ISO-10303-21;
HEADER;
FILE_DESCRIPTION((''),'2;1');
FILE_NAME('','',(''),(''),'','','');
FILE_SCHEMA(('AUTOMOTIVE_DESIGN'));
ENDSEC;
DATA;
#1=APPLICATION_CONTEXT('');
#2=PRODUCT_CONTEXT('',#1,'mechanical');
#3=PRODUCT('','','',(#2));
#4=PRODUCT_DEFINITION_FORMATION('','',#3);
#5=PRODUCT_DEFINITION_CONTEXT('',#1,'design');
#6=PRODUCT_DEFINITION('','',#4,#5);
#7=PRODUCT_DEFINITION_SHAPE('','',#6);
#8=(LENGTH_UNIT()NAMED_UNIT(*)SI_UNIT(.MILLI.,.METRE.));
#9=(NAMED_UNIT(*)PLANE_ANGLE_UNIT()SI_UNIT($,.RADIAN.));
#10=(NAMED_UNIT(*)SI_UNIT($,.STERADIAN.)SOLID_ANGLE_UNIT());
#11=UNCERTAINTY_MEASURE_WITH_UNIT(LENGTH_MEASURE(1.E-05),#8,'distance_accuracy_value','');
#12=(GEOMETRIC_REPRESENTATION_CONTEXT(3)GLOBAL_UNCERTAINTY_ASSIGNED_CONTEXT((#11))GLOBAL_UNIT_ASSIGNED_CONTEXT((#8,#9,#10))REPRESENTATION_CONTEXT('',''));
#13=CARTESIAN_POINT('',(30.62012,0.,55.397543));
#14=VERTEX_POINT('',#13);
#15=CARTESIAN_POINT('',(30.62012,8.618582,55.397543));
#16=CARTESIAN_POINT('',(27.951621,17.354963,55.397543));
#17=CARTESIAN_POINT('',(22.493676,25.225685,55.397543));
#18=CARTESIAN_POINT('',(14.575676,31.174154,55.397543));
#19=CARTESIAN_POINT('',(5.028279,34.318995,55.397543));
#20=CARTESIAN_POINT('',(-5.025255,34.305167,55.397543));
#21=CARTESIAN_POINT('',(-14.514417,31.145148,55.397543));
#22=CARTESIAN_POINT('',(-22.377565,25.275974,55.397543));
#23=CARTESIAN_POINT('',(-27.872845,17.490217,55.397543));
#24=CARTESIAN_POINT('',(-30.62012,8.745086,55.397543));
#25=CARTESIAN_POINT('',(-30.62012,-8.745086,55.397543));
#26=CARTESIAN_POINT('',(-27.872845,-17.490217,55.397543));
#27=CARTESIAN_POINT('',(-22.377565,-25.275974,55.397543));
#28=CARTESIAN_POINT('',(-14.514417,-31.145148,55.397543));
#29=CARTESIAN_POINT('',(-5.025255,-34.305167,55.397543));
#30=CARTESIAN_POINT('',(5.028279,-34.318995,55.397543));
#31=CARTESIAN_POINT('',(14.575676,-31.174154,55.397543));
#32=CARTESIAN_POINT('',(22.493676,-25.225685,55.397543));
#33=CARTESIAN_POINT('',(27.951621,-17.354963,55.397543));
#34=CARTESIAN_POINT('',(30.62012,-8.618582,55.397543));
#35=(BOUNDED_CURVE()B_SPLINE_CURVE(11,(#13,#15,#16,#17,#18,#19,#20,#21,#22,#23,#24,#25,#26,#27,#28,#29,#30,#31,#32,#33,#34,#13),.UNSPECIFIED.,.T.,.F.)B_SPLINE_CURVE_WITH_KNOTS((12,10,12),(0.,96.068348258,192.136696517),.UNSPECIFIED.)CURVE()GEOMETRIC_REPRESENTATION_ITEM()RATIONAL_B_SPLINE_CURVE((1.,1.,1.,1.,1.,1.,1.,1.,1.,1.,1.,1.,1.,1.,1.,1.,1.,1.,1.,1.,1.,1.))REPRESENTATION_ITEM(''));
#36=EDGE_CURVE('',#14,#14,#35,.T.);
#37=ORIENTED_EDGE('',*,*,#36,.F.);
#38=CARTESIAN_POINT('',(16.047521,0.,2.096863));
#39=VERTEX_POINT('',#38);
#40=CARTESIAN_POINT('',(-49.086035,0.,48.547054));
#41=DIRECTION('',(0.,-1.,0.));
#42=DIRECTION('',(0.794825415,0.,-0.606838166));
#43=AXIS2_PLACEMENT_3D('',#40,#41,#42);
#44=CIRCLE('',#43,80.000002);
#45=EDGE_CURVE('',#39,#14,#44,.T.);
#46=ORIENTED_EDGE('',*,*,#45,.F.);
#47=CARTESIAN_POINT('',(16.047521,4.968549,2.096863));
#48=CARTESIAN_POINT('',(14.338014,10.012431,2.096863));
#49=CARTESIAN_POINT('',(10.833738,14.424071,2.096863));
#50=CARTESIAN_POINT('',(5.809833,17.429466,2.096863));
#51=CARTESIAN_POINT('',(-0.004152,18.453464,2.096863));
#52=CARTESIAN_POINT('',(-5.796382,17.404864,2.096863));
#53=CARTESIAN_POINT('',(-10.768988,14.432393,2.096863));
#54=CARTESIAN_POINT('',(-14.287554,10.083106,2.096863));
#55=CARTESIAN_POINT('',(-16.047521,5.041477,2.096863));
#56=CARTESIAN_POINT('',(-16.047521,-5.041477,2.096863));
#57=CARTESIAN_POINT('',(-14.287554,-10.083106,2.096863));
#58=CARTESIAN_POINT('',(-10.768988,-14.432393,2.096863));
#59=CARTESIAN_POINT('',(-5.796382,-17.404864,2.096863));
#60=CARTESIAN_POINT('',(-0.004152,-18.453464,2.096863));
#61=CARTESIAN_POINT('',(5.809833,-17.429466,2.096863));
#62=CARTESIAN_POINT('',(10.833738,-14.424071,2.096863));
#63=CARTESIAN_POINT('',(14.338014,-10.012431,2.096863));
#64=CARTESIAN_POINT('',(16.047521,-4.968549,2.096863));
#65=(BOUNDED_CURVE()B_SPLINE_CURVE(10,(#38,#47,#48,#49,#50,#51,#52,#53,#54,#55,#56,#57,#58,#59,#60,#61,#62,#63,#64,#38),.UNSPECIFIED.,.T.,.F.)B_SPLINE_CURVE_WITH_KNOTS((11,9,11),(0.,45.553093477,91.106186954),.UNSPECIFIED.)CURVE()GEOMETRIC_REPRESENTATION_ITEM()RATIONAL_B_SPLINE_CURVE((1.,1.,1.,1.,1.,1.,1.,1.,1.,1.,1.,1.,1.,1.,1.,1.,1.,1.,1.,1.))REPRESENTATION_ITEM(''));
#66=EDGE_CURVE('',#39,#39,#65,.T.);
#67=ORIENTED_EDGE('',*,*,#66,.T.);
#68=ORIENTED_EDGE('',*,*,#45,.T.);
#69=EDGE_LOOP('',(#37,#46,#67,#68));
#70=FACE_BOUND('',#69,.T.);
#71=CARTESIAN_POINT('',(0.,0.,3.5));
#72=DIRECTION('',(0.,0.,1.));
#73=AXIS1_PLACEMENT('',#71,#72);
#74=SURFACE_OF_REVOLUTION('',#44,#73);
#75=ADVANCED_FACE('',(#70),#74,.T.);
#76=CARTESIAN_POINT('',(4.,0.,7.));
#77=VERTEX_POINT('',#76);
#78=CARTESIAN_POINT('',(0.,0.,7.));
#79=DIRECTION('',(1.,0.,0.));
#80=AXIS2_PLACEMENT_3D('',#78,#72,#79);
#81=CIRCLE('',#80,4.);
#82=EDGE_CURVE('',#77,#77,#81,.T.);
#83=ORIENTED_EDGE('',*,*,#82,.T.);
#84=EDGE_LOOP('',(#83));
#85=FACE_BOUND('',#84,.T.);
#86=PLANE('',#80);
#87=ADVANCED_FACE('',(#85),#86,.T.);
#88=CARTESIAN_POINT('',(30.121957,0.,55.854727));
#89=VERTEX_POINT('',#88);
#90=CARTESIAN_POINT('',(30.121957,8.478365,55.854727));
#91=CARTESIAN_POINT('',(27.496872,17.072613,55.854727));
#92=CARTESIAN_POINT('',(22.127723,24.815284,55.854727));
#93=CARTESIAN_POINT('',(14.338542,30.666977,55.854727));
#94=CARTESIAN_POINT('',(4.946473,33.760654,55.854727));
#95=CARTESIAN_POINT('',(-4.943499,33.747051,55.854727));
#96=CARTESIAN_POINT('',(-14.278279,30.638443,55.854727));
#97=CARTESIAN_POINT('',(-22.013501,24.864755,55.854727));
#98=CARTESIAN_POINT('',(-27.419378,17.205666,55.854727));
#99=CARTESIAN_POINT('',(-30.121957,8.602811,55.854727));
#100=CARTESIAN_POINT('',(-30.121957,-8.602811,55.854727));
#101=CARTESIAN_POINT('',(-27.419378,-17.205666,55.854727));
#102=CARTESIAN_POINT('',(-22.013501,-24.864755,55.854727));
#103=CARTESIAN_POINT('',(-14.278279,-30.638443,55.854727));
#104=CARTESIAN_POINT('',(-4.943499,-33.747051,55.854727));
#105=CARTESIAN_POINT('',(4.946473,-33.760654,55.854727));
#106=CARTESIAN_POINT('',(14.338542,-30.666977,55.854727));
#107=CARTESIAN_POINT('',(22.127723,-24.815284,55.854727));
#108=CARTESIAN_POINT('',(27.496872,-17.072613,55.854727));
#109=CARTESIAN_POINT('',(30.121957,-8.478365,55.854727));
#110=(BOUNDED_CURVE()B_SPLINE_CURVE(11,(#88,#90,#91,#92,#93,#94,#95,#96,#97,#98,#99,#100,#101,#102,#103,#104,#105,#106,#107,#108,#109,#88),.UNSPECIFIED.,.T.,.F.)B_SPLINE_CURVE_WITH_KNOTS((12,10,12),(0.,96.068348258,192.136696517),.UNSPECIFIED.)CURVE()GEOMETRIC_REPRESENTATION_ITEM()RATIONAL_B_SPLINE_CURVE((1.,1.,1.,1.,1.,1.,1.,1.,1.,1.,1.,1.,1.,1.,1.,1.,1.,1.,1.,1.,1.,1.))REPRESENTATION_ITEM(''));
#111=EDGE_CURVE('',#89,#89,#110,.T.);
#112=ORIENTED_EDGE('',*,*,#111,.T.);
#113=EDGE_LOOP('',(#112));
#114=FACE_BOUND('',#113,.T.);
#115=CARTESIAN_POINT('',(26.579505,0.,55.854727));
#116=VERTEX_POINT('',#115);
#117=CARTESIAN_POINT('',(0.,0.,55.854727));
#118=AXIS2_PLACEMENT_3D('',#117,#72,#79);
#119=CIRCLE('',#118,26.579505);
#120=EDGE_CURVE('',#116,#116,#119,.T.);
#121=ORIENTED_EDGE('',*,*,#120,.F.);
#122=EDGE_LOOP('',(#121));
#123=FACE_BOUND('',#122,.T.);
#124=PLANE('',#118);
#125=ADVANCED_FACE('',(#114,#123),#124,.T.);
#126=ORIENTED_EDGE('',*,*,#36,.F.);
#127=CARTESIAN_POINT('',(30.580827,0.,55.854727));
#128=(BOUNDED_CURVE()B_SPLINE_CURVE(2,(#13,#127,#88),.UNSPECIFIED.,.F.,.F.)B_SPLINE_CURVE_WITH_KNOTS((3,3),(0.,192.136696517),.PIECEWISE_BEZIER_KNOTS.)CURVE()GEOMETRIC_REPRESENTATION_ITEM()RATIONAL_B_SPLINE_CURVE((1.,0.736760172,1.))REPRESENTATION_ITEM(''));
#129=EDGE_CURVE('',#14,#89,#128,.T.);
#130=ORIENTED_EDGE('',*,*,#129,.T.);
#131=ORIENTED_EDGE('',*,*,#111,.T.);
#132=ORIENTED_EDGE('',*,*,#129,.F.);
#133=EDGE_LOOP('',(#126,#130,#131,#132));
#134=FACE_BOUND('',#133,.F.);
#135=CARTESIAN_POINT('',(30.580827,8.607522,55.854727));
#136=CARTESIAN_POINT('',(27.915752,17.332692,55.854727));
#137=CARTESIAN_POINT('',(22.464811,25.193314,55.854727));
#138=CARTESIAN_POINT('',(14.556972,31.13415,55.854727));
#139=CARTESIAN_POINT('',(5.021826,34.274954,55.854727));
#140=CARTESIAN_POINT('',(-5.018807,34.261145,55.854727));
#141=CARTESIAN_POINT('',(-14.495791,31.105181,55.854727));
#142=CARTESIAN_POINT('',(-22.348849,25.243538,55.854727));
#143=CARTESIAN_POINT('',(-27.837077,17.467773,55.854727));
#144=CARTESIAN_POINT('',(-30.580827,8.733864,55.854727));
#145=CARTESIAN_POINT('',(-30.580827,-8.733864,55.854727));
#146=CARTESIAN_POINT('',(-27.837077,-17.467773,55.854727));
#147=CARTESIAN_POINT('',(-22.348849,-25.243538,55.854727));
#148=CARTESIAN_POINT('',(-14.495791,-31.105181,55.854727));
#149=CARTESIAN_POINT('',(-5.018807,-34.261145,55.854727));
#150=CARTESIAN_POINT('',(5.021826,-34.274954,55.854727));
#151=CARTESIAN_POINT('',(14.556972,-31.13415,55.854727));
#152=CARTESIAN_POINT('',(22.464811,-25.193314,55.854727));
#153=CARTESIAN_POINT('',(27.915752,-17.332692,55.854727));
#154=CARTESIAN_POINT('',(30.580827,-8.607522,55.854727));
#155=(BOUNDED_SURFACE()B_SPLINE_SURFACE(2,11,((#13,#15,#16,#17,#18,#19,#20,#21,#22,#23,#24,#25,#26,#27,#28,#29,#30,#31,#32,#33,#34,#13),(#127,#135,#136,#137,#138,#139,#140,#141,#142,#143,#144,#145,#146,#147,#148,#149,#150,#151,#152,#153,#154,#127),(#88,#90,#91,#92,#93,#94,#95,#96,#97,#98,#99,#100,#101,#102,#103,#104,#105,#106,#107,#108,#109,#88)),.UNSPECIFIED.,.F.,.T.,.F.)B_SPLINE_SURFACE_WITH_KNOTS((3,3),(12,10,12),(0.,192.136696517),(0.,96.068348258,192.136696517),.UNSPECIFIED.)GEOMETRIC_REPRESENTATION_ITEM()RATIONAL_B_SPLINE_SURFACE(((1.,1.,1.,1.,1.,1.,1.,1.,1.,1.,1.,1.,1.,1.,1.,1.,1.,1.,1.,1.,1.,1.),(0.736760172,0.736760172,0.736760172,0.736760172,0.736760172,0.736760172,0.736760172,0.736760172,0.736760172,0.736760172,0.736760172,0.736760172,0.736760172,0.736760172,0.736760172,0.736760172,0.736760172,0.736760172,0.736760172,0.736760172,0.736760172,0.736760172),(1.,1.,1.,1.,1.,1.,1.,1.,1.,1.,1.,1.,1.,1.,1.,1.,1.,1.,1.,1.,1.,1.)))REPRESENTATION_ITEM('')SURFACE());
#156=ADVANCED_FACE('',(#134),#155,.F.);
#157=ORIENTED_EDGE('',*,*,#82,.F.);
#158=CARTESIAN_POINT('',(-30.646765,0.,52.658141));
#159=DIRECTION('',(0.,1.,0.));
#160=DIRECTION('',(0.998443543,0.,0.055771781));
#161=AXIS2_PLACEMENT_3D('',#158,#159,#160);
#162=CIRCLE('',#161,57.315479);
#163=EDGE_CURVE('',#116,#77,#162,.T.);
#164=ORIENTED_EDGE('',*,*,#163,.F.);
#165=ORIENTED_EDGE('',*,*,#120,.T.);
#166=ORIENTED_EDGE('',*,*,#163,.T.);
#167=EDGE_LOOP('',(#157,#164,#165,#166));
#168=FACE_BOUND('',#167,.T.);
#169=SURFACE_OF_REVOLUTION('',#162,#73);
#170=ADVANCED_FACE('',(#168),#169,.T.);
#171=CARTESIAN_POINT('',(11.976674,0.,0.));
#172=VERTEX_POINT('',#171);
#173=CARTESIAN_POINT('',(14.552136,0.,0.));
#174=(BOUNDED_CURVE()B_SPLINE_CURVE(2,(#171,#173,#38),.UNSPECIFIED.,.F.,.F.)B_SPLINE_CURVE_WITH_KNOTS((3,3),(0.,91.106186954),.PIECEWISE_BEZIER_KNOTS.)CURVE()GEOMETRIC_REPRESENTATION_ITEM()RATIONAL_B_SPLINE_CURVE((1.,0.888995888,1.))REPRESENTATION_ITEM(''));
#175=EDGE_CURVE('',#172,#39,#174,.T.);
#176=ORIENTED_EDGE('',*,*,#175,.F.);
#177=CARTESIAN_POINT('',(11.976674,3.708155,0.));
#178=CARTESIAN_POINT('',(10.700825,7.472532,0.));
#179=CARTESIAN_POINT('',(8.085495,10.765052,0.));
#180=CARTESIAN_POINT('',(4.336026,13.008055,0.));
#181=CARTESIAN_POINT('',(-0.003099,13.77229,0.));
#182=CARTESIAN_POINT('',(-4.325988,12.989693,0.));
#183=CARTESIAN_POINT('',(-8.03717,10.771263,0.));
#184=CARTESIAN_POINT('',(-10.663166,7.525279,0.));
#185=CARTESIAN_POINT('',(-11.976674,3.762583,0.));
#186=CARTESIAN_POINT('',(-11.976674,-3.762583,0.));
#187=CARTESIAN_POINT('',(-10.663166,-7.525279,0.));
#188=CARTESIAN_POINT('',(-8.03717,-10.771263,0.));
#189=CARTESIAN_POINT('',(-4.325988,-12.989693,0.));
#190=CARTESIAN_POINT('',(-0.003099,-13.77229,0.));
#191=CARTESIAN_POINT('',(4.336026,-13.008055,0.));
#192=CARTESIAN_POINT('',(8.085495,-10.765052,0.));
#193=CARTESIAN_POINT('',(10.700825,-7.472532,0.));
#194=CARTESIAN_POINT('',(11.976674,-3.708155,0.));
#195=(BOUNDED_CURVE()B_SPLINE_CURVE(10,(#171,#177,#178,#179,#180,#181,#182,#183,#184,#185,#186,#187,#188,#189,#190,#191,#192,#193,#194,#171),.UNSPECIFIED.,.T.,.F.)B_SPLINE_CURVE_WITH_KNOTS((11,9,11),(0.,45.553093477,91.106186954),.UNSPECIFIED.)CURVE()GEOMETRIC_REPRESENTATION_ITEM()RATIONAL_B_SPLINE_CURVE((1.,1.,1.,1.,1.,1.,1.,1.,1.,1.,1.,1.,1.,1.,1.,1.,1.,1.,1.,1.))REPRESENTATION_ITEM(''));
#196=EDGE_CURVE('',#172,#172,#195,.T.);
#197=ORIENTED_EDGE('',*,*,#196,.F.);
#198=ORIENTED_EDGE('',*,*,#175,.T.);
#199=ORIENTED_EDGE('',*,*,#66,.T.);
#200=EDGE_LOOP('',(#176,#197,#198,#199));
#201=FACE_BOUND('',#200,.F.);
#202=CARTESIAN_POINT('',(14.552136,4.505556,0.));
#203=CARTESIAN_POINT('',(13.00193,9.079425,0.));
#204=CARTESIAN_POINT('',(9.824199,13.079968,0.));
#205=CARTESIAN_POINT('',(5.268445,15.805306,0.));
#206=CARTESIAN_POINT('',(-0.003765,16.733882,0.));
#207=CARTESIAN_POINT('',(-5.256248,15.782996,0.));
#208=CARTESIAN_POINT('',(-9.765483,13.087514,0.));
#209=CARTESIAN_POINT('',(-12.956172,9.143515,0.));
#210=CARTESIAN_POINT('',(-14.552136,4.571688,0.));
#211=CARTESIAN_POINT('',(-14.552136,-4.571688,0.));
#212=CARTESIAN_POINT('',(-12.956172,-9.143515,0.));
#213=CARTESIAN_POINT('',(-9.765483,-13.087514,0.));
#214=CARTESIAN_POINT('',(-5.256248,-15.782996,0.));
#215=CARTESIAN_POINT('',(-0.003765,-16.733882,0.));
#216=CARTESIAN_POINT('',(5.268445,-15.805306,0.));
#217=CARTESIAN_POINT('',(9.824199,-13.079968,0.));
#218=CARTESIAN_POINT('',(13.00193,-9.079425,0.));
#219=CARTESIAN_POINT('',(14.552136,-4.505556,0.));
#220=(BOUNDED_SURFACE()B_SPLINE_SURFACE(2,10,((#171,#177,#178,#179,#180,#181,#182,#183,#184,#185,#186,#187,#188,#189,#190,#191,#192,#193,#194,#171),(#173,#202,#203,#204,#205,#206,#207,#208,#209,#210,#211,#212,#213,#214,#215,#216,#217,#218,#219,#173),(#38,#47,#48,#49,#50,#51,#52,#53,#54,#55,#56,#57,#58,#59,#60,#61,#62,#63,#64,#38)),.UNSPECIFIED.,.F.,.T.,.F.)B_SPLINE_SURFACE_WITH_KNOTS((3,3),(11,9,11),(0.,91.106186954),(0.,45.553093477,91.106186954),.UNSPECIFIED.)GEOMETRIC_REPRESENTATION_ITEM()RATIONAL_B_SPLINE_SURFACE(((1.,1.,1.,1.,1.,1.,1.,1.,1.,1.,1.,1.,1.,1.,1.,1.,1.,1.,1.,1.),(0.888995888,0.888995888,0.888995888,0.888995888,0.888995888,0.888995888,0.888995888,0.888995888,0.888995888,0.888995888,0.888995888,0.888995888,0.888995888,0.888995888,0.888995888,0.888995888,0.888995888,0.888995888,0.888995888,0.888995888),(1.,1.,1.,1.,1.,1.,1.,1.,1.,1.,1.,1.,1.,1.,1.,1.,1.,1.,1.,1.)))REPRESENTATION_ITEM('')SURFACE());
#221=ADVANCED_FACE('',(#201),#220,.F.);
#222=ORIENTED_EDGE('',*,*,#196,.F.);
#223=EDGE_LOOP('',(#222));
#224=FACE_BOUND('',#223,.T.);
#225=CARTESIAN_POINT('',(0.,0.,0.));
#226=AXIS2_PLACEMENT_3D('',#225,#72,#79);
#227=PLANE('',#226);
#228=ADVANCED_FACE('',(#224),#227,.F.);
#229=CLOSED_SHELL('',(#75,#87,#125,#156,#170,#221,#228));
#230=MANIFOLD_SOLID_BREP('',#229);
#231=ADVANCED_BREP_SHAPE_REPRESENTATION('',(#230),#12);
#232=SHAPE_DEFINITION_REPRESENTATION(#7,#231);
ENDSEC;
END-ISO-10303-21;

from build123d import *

# Parameters (mm, degrees)
F2_R = 5
F3_R = 0.5


with BuildPart() as f1:
    # F0 (on Front) → F1 (revolve)
    with BuildSketch(Plane.XZ):
        with BuildLine():
            Line((0, 7), (0, 0))
            Line((0, 0), (14.5, 0))
            ThreePointArc((14.5, 0), (27.791732, 26.415419), (30.579505, 55.854727))
            Line((30.579505, 55.854727), (26.579505, 55.854727))
            ThreePointArc((26.579505, 55.854727), (21.380725, 28.612259), (4, 7))
            Line((4, 7), (0, 7))
        make_face()
    revolve(axis=Axis((0, 0, 3.5), (0, 0, 1)))

    # F2
    f2_edges = [f1.edges().sort_by_distance(p)[0] for p in [
        (-14.5, 0, 0),
    ]]
    fillet(f2_edges, radius=F2_R)

    # F3
    f3_edges = [f1.edges().sort_by_distance(p)[0] for p in [
        (-30.579505, 0, 55.854727),
    ]]
    fillet(f3_edges, radius=F3_R)


solid = f1.part
